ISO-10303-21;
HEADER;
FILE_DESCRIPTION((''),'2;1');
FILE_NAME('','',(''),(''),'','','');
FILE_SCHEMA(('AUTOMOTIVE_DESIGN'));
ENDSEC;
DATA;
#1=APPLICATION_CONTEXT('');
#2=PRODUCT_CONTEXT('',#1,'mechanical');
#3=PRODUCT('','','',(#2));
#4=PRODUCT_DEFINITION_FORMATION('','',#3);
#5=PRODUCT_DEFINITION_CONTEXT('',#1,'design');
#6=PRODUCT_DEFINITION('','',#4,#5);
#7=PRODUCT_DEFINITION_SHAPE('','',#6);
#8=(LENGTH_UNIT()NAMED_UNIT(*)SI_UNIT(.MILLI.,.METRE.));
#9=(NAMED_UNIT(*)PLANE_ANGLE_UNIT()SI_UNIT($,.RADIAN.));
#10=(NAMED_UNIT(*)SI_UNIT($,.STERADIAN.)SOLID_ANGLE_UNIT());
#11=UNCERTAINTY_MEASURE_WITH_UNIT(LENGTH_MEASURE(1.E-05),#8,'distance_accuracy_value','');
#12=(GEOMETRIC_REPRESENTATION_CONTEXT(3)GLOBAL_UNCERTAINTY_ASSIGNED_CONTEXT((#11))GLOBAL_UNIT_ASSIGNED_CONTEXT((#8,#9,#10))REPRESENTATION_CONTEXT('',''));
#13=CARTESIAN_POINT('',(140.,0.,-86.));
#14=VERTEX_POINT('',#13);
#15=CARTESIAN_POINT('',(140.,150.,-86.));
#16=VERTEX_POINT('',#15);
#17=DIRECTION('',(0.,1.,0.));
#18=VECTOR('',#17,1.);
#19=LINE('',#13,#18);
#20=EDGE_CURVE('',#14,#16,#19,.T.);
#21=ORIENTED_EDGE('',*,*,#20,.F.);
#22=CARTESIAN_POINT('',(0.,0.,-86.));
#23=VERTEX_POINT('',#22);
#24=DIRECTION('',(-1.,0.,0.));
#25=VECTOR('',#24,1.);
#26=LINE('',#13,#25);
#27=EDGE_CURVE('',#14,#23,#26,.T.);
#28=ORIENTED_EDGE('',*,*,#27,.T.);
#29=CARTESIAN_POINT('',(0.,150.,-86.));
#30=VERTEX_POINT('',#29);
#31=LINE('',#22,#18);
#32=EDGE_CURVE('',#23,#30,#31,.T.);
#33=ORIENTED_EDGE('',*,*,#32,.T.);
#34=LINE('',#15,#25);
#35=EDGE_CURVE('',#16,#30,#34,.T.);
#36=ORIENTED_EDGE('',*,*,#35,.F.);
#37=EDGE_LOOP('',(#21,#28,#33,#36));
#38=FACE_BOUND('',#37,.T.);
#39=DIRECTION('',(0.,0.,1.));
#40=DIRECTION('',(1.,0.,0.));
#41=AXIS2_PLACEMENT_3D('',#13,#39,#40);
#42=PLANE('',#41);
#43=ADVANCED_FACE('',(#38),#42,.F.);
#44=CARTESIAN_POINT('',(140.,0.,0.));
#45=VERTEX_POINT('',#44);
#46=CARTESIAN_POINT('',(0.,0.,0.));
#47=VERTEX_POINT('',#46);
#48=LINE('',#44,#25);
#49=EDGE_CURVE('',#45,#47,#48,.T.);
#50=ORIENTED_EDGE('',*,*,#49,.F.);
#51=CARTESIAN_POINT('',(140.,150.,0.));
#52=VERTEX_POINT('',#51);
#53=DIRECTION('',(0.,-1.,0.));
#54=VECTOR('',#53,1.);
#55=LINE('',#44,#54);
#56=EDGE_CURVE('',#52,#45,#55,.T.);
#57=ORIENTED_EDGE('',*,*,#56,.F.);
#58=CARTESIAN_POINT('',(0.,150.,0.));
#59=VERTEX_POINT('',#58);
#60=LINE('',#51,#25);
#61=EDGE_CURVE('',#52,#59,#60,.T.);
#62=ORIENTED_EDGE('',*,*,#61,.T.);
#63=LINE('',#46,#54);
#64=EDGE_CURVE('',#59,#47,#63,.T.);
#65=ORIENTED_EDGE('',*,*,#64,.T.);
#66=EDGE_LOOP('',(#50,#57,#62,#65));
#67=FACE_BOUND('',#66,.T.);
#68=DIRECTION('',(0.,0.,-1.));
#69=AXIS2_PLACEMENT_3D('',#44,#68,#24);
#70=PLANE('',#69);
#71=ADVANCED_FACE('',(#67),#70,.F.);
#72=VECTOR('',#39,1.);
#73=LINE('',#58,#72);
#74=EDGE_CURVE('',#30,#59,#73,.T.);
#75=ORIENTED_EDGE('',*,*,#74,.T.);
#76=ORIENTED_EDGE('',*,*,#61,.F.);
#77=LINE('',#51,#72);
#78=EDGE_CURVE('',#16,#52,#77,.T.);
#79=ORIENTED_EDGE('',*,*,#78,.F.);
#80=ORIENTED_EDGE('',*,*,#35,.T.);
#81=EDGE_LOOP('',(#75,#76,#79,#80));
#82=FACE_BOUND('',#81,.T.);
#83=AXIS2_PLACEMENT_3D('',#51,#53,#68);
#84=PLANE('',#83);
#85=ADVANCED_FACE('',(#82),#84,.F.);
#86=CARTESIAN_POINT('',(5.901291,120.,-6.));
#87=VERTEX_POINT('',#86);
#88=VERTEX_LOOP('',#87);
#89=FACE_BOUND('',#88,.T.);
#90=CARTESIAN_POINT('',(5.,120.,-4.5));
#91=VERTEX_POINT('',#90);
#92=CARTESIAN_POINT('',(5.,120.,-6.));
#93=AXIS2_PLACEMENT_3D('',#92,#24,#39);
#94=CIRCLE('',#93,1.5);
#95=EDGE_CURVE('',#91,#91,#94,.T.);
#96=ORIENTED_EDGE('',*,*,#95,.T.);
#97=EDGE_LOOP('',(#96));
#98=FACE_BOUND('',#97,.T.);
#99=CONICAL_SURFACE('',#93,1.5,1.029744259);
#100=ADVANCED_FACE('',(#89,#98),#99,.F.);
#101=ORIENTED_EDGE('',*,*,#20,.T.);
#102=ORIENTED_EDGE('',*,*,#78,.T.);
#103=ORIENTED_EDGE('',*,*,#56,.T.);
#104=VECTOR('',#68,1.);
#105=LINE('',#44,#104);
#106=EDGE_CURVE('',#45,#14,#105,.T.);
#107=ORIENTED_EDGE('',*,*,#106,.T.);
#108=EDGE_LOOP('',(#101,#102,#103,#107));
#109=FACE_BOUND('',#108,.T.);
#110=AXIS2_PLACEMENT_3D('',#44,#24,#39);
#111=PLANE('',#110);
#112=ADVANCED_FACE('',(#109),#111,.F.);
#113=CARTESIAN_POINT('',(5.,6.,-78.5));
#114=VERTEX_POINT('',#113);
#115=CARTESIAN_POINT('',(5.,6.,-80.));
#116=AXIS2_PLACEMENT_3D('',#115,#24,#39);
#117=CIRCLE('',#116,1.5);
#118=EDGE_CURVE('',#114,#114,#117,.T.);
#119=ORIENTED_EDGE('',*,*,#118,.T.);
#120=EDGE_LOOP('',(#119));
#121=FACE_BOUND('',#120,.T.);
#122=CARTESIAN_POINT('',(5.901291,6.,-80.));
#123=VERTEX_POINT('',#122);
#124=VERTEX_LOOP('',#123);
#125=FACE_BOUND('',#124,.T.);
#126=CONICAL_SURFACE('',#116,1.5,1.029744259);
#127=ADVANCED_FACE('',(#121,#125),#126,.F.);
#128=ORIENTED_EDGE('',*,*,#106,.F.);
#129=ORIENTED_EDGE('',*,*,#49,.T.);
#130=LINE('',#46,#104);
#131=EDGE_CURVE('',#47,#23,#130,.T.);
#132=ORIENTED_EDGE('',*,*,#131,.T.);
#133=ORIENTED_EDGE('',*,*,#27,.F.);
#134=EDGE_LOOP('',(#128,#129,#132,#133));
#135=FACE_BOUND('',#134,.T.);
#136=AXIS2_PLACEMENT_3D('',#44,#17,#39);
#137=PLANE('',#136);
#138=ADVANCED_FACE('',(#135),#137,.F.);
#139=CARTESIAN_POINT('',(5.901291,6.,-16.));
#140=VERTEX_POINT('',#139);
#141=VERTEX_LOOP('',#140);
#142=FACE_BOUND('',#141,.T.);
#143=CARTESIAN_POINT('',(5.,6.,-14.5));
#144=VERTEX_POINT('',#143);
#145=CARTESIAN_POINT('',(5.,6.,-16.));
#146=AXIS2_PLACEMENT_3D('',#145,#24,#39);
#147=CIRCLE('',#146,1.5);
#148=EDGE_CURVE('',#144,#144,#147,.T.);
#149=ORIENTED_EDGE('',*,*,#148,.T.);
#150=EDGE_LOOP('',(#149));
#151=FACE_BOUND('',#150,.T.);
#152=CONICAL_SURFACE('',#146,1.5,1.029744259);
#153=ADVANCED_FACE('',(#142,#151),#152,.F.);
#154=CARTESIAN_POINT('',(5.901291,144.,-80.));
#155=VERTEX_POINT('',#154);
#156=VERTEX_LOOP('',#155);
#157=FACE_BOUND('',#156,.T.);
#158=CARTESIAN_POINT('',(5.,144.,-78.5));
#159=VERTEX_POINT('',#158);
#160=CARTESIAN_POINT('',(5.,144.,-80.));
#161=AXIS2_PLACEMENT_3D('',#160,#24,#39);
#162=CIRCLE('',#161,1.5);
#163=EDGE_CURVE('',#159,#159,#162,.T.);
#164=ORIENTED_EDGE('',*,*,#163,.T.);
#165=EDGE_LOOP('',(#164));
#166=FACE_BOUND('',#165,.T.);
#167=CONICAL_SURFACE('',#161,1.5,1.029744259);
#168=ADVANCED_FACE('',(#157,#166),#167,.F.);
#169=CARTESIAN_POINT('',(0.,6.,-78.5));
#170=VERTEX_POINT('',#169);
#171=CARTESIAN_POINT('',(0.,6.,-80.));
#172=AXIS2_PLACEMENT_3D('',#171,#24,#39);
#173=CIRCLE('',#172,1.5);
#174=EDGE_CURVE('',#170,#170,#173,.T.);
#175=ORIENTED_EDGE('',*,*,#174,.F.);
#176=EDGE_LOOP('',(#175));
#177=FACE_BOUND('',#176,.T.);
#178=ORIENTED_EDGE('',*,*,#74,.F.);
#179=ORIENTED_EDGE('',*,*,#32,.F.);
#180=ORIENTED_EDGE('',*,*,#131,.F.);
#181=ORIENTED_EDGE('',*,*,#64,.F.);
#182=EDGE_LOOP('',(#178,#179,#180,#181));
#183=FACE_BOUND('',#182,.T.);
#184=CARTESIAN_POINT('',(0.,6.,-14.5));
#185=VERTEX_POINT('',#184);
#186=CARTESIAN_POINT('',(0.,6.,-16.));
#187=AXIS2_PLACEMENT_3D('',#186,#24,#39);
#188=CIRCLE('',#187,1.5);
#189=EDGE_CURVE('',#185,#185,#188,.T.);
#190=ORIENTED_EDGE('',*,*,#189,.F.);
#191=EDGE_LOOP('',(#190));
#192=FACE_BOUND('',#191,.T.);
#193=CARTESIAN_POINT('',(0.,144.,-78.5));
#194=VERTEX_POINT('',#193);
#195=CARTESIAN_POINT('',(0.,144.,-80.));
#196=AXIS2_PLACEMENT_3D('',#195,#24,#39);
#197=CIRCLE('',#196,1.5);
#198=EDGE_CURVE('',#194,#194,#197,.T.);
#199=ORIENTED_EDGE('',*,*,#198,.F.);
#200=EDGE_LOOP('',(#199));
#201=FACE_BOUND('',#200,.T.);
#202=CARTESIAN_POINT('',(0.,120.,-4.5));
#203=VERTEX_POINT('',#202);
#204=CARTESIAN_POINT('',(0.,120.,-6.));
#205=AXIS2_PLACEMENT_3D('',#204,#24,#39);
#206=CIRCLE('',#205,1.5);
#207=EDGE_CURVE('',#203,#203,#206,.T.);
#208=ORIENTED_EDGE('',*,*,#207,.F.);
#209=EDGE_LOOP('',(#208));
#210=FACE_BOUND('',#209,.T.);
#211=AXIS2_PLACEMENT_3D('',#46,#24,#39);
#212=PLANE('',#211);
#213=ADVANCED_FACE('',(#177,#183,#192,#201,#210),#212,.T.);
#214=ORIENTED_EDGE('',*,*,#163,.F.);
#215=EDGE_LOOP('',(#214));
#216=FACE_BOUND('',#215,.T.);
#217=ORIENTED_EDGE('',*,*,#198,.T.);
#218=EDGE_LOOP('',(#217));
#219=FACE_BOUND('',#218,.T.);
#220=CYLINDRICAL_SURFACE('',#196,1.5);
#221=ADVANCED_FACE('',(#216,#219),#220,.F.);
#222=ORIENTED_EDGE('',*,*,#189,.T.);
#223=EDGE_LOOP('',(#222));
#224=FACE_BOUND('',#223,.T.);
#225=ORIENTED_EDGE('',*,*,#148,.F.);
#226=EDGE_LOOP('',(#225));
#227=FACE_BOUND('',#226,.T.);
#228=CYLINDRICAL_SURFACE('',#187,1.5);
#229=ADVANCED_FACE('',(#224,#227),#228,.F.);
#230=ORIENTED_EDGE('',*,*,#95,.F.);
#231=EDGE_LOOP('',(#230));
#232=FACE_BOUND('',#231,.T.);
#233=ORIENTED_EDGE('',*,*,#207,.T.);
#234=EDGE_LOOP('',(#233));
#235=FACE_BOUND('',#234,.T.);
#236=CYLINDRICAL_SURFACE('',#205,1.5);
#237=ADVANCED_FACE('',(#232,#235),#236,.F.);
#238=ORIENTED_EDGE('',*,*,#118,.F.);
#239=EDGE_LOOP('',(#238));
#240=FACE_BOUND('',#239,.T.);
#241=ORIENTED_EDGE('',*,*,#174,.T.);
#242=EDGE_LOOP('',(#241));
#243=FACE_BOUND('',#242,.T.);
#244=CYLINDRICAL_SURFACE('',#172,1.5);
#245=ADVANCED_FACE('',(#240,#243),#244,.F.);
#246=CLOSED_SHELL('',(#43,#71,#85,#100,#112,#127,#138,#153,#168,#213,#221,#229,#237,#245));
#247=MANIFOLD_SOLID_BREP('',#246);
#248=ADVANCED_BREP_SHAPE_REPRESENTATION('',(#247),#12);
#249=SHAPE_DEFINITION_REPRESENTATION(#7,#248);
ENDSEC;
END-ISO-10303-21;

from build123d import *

# Parameters (mm, degrees)
SKETCH_1_W                = 86
SKETCH_1_H                = 150
EXTRUDE_1_DEPTH           = 140
HOLE_WIZARD_3_0_3_1_D     = 3
HOLE_WIZARD_3_0_3_1_DEPTH = 5
HOLE_WIZARD_3_0_3_1_TIP   = 0.901290929


with BuildPart() as part:
    # Эскиз1 → Бобышка-Вытянуть1 (new body)
    with BuildSketch(Plane(origin=(0, 0, 0), x_dir=(0, 0, -1), z_dir=(1, 0, 0))):
        with Locations((43, 75)):
            Rectangle(SKETCH_1_W, SKETCH_1_H)
    extrude(amount=EXTRUDE_1_DEPTH)

    # Диаметр отверстия Ø3.0 (3)1
    with Locations(Plane.ZY):
        with Locations((-80, 144), (-6, 120), (-16, 6), (-80, 6)):
            Hole(HOLE_WIZARD_3_0_3_1_D / 2, depth=HOLE_WIZARD_3_0_3_1_DEPTH)
            with Locations((0, 0, -(HOLE_WIZARD_3_0_3_1_DEPTH + HOLE_WIZARD_3_0_3_1_TIP / 2))):  # 118° drill point
                Cone(0, HOLE_WIZARD_3_0_3_1_D / 2, HOLE_WIZARD_3_0_3_1_TIP, mode=Mode.SUBTRACT)


solid = part.part
